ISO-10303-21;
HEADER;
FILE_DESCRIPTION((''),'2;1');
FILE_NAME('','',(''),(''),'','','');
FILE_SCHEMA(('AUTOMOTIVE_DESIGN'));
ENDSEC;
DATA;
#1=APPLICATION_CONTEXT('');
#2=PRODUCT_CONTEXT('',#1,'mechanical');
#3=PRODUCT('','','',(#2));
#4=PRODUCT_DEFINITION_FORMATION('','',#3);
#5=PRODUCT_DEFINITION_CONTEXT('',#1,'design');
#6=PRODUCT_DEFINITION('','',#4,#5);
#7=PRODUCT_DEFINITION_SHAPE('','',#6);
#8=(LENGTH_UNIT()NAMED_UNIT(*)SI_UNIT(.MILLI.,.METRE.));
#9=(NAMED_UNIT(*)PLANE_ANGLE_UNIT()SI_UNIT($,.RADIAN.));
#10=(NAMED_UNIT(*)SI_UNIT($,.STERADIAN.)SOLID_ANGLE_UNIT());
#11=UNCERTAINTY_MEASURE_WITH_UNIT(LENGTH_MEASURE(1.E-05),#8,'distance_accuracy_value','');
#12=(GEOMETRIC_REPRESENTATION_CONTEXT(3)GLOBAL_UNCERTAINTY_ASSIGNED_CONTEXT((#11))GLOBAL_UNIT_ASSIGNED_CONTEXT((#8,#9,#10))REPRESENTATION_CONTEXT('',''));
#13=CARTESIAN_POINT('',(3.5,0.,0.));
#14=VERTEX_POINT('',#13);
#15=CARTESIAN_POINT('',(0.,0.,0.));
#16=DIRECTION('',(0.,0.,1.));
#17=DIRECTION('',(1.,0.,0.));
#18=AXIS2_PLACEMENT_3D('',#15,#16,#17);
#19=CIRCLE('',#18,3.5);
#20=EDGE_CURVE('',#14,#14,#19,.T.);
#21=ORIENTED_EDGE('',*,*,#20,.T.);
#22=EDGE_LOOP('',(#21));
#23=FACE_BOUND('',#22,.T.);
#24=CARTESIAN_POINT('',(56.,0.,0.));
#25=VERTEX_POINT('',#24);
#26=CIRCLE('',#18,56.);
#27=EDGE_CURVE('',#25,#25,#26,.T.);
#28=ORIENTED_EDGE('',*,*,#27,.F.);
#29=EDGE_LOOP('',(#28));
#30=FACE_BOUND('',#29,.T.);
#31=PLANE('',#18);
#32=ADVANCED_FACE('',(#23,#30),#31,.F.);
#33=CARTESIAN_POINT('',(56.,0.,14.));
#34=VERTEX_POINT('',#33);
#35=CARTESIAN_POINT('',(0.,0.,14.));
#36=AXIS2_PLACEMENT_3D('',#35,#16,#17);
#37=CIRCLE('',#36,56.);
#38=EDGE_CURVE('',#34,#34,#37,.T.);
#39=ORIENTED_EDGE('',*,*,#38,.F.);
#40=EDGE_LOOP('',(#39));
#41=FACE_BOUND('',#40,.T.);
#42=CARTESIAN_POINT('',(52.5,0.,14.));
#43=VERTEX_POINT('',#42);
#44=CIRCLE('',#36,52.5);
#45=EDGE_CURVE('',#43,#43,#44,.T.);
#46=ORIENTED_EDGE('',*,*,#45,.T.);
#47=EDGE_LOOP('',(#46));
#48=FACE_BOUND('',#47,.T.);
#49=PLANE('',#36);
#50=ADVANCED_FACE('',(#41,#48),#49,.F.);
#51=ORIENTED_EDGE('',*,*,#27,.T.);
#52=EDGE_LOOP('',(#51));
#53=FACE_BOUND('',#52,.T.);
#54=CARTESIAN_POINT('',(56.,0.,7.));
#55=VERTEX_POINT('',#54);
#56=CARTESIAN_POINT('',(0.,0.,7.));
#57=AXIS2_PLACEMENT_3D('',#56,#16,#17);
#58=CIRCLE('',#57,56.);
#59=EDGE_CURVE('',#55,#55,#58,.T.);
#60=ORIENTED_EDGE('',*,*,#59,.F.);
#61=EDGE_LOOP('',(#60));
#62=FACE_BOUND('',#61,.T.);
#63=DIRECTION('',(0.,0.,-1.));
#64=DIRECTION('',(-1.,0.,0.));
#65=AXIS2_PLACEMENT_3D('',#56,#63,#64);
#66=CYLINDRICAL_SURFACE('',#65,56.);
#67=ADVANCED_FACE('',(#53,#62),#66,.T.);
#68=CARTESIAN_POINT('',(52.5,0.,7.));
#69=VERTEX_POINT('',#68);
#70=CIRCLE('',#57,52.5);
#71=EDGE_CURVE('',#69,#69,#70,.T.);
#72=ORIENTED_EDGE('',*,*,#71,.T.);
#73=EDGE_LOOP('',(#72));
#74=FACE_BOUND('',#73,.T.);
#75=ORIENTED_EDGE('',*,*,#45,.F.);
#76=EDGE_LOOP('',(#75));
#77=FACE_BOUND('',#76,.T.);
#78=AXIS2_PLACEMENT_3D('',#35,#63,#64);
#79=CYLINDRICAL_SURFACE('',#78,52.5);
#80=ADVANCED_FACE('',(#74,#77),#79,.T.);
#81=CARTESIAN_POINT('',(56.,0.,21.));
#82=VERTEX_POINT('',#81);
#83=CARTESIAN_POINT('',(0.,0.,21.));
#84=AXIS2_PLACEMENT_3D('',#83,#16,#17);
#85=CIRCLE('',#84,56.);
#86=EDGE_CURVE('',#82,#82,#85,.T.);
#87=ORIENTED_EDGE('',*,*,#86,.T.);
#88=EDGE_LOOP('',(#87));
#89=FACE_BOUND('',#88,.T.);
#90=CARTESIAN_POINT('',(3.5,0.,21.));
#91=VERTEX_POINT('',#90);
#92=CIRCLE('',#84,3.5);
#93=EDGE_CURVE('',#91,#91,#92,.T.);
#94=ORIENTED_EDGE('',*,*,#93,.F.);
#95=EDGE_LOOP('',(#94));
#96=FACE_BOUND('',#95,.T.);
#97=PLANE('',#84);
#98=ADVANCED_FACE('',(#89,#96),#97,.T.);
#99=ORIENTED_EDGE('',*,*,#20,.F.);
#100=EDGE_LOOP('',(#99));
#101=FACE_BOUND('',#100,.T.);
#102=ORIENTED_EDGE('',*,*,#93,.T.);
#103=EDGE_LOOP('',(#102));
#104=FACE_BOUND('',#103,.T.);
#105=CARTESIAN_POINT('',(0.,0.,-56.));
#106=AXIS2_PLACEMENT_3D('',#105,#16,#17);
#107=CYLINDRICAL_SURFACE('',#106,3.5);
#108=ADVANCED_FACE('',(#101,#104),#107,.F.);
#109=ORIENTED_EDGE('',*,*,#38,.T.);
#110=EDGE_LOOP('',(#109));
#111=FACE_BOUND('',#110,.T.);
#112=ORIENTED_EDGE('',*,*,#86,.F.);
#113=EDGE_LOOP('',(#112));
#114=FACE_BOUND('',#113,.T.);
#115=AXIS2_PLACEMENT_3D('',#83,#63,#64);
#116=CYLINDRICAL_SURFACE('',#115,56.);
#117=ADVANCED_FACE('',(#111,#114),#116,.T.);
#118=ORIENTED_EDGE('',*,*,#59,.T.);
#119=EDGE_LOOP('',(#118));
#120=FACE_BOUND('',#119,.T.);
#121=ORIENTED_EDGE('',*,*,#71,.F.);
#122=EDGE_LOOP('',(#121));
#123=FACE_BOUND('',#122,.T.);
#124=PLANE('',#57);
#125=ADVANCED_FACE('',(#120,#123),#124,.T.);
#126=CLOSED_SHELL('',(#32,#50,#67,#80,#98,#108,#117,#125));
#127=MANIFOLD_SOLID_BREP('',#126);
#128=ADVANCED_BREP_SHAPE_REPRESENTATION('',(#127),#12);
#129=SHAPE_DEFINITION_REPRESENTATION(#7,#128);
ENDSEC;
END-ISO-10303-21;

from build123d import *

# Parameters (mm, degrees)
CROQUIS2_R              = 56
SALIENTE_EXTRUIR1_DEPTH = 7
CROQUIS3_R              = 52.5
SALIENTE_EXTRUIR2_DEPTH = 7
CROQUIS4_R              = 56
SALIENTE_EXTRUIR3_DEPTH = 7
CROQUIS5_R              = 3.5
CORTAR_EXTRUIR1_DEPTH   = 77


with BuildPart() as part:
    # Croquis2 → Saliente-Extruir1 (new body)
    with BuildSketch(Plane.XY):
        Circle(CROQUIS2_R)
    extrude(amount=SALIENTE_EXTRUIR1_DEPTH)

    # Croquis3 → Saliente-Extruir2 (add)
    with BuildSketch(Plane.XY.offset(7)):
        Circle(CROQUIS3_R)
    extrude(amount=SALIENTE_EXTRUIR2_DEPTH)

    # Croquis4 → Saliente-Extruir3 (add)
    with BuildSketch(Plane.XY.offset(14)):
        Circle(CROQUIS4_R)
    extrude(amount=SALIENTE_EXTRUIR3_DEPTH)

    # Croquis5 → Cortar-Extruir1 (cut)
    with BuildSketch(Plane.XY.offset(21)):
        Circle(CROQUIS5_R)
    extrude(amount=-CORTAR_EXTRUIR1_DEPTH, mode=Mode.SUBTRACT)


solid = part.part
